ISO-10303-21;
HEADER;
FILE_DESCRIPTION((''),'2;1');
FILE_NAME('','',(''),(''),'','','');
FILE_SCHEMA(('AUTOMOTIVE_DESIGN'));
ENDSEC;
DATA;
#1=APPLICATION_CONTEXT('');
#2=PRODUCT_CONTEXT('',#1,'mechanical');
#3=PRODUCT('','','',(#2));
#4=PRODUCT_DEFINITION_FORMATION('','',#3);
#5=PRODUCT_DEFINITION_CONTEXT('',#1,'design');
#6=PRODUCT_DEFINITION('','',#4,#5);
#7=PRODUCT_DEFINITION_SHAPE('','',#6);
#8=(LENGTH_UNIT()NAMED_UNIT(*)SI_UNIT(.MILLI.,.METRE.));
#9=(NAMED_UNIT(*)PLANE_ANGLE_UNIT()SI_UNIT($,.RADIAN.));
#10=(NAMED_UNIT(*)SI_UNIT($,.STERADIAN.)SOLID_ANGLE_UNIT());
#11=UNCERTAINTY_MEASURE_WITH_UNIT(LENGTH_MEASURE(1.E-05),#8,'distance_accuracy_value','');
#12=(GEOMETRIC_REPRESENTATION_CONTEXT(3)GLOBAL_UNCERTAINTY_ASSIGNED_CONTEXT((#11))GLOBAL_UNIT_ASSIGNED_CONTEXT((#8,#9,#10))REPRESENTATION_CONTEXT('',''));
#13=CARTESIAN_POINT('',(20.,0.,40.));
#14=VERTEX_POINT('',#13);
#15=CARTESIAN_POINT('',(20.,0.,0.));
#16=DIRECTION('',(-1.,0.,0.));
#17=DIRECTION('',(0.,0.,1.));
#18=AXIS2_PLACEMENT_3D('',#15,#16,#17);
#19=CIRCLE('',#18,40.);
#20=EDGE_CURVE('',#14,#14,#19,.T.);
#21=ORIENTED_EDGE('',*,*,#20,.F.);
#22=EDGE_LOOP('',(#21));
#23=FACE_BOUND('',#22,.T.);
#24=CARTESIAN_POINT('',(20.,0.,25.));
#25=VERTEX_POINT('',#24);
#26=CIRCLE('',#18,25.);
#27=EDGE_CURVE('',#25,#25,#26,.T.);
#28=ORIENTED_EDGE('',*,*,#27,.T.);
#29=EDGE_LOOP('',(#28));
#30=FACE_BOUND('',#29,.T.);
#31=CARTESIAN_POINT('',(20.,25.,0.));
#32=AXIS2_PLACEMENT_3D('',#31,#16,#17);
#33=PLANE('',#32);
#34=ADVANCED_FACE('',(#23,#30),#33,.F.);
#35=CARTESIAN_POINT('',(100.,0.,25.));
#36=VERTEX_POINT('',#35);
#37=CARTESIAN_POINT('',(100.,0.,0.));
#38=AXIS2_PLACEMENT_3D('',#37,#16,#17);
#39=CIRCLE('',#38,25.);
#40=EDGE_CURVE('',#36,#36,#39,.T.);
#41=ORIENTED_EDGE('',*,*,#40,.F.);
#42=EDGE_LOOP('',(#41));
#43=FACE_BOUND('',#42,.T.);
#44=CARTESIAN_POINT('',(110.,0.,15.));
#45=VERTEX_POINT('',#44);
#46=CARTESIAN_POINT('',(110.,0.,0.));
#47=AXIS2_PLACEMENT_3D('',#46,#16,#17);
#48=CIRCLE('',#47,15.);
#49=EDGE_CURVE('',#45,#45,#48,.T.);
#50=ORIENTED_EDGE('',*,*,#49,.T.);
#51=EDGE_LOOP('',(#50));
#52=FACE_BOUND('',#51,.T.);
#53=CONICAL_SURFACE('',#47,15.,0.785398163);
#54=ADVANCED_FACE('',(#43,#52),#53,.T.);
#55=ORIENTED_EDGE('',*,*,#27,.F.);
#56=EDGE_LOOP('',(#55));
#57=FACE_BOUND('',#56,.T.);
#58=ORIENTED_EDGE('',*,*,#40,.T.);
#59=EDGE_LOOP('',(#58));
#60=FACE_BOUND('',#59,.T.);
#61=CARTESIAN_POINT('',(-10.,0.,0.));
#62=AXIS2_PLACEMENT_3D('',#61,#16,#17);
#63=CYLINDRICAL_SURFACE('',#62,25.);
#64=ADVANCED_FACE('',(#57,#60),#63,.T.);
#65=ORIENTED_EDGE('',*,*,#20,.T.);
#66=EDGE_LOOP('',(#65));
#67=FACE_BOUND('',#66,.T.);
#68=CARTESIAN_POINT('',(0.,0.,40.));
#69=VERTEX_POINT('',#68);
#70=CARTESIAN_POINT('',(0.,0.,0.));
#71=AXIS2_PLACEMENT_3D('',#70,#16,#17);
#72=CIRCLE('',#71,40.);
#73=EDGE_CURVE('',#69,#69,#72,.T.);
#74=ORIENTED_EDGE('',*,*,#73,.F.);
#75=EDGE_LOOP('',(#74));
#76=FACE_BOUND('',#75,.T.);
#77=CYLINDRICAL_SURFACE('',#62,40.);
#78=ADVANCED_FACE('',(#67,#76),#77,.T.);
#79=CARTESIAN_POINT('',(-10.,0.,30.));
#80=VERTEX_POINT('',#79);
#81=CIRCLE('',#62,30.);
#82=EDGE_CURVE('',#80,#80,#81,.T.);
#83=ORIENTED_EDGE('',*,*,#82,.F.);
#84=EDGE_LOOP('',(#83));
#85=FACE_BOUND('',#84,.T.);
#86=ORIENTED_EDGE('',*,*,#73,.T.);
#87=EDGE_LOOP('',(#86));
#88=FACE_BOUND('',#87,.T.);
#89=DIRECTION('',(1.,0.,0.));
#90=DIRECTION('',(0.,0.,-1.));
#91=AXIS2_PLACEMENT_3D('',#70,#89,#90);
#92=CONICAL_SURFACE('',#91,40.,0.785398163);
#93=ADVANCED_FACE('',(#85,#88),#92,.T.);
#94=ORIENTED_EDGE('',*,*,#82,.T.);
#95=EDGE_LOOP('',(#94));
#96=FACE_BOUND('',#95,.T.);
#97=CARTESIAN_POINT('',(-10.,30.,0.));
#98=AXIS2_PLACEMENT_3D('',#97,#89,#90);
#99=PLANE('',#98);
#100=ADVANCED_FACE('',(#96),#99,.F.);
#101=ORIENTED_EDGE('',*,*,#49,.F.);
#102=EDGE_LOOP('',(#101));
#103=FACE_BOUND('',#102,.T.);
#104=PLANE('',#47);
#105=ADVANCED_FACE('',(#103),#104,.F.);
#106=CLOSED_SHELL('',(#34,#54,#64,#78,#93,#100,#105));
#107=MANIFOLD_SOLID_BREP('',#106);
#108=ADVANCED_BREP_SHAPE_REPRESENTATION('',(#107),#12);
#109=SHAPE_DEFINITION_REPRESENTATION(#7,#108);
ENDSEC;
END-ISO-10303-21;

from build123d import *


with BuildPart() as part:
    # Sketch1 → Revolve1 (revolve)
    with BuildSketch(Plane.XY):
        Polygon((0, 40), (20, 40), (20, 25), (100, 25), (110, 15), (110, 0), (-10, 0), (-10, 30), align=None)
    revolve(axis=Axis((-10, 0, 0), (1, 0, 0)))


solid = part.part
